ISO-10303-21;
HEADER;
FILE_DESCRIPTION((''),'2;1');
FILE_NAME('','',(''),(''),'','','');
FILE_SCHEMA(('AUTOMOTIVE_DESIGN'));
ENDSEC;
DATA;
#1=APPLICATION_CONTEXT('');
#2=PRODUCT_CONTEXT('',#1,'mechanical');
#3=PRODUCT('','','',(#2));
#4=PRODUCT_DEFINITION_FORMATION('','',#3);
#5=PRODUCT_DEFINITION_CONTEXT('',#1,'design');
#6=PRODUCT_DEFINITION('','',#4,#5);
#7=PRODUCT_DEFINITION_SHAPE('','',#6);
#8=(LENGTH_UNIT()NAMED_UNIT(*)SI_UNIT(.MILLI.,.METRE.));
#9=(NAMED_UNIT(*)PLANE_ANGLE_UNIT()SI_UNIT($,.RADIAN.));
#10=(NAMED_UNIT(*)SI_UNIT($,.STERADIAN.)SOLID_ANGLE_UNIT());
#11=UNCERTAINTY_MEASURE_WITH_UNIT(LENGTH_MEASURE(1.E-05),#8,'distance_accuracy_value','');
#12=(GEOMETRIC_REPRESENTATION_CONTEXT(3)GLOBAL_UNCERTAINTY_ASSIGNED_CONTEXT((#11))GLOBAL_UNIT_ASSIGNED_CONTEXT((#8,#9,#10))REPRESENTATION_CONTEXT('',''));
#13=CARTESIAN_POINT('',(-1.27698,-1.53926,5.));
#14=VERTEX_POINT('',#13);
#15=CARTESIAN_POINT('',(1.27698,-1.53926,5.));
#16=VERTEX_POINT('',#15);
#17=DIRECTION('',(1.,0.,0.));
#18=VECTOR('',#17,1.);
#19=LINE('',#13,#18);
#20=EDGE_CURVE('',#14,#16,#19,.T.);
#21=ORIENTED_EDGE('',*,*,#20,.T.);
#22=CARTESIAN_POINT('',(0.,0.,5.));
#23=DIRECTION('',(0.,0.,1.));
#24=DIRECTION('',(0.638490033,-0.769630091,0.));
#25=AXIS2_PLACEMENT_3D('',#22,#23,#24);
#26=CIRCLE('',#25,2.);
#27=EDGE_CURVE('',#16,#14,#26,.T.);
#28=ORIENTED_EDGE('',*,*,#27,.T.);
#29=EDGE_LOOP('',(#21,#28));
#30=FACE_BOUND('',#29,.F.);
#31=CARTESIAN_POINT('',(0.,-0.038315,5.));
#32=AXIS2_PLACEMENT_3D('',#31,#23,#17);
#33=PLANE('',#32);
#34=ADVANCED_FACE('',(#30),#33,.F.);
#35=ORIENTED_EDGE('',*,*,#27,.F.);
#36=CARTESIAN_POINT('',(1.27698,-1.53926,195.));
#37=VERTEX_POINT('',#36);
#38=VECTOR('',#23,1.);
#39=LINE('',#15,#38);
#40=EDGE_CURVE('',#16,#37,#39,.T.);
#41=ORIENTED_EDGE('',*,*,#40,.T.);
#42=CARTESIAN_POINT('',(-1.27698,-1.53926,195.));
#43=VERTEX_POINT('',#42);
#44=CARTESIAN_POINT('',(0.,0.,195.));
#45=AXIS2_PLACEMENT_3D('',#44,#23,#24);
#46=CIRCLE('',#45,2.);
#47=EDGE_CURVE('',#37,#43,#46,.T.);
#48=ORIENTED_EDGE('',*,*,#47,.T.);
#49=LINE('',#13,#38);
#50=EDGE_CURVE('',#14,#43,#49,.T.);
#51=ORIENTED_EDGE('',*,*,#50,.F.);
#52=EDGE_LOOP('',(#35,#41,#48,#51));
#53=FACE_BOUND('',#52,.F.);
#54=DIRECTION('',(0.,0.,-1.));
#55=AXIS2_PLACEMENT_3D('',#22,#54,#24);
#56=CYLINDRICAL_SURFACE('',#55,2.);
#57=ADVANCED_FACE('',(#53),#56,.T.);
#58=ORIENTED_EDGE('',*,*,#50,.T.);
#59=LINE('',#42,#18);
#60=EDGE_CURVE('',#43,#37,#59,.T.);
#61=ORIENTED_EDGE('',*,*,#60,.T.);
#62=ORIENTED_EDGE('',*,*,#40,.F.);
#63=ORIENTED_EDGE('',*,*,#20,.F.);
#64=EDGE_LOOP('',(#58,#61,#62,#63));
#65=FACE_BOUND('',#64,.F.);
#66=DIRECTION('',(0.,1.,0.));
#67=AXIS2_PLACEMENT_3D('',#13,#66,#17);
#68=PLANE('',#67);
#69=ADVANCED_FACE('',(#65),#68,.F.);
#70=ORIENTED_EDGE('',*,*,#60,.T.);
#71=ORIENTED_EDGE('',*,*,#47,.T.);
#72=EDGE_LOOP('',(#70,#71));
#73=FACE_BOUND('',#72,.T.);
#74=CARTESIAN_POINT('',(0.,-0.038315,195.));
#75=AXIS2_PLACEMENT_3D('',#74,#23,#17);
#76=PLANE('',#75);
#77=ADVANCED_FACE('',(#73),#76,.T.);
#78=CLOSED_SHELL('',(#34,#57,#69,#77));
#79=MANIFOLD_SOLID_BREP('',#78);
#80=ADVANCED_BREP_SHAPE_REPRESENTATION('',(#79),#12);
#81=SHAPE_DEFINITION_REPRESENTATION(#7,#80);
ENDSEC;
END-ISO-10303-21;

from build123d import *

# Parameters (mm, degrees)
PAD_DEPTH = 190


with BuildPart() as part:
    # Sketch → Pad (new body)
    with BuildSketch(Plane.XY.offset(5)):
        with BuildLine():
            ThreePointArc((1.27698, -1.53926), (0, 2), (-1.27698, -1.53926))
            Line((-1.27698, -1.53926), (1.27698, -1.53926))
        make_face()
    extrude(amount=PAD_DEPTH)


solid = part.part
